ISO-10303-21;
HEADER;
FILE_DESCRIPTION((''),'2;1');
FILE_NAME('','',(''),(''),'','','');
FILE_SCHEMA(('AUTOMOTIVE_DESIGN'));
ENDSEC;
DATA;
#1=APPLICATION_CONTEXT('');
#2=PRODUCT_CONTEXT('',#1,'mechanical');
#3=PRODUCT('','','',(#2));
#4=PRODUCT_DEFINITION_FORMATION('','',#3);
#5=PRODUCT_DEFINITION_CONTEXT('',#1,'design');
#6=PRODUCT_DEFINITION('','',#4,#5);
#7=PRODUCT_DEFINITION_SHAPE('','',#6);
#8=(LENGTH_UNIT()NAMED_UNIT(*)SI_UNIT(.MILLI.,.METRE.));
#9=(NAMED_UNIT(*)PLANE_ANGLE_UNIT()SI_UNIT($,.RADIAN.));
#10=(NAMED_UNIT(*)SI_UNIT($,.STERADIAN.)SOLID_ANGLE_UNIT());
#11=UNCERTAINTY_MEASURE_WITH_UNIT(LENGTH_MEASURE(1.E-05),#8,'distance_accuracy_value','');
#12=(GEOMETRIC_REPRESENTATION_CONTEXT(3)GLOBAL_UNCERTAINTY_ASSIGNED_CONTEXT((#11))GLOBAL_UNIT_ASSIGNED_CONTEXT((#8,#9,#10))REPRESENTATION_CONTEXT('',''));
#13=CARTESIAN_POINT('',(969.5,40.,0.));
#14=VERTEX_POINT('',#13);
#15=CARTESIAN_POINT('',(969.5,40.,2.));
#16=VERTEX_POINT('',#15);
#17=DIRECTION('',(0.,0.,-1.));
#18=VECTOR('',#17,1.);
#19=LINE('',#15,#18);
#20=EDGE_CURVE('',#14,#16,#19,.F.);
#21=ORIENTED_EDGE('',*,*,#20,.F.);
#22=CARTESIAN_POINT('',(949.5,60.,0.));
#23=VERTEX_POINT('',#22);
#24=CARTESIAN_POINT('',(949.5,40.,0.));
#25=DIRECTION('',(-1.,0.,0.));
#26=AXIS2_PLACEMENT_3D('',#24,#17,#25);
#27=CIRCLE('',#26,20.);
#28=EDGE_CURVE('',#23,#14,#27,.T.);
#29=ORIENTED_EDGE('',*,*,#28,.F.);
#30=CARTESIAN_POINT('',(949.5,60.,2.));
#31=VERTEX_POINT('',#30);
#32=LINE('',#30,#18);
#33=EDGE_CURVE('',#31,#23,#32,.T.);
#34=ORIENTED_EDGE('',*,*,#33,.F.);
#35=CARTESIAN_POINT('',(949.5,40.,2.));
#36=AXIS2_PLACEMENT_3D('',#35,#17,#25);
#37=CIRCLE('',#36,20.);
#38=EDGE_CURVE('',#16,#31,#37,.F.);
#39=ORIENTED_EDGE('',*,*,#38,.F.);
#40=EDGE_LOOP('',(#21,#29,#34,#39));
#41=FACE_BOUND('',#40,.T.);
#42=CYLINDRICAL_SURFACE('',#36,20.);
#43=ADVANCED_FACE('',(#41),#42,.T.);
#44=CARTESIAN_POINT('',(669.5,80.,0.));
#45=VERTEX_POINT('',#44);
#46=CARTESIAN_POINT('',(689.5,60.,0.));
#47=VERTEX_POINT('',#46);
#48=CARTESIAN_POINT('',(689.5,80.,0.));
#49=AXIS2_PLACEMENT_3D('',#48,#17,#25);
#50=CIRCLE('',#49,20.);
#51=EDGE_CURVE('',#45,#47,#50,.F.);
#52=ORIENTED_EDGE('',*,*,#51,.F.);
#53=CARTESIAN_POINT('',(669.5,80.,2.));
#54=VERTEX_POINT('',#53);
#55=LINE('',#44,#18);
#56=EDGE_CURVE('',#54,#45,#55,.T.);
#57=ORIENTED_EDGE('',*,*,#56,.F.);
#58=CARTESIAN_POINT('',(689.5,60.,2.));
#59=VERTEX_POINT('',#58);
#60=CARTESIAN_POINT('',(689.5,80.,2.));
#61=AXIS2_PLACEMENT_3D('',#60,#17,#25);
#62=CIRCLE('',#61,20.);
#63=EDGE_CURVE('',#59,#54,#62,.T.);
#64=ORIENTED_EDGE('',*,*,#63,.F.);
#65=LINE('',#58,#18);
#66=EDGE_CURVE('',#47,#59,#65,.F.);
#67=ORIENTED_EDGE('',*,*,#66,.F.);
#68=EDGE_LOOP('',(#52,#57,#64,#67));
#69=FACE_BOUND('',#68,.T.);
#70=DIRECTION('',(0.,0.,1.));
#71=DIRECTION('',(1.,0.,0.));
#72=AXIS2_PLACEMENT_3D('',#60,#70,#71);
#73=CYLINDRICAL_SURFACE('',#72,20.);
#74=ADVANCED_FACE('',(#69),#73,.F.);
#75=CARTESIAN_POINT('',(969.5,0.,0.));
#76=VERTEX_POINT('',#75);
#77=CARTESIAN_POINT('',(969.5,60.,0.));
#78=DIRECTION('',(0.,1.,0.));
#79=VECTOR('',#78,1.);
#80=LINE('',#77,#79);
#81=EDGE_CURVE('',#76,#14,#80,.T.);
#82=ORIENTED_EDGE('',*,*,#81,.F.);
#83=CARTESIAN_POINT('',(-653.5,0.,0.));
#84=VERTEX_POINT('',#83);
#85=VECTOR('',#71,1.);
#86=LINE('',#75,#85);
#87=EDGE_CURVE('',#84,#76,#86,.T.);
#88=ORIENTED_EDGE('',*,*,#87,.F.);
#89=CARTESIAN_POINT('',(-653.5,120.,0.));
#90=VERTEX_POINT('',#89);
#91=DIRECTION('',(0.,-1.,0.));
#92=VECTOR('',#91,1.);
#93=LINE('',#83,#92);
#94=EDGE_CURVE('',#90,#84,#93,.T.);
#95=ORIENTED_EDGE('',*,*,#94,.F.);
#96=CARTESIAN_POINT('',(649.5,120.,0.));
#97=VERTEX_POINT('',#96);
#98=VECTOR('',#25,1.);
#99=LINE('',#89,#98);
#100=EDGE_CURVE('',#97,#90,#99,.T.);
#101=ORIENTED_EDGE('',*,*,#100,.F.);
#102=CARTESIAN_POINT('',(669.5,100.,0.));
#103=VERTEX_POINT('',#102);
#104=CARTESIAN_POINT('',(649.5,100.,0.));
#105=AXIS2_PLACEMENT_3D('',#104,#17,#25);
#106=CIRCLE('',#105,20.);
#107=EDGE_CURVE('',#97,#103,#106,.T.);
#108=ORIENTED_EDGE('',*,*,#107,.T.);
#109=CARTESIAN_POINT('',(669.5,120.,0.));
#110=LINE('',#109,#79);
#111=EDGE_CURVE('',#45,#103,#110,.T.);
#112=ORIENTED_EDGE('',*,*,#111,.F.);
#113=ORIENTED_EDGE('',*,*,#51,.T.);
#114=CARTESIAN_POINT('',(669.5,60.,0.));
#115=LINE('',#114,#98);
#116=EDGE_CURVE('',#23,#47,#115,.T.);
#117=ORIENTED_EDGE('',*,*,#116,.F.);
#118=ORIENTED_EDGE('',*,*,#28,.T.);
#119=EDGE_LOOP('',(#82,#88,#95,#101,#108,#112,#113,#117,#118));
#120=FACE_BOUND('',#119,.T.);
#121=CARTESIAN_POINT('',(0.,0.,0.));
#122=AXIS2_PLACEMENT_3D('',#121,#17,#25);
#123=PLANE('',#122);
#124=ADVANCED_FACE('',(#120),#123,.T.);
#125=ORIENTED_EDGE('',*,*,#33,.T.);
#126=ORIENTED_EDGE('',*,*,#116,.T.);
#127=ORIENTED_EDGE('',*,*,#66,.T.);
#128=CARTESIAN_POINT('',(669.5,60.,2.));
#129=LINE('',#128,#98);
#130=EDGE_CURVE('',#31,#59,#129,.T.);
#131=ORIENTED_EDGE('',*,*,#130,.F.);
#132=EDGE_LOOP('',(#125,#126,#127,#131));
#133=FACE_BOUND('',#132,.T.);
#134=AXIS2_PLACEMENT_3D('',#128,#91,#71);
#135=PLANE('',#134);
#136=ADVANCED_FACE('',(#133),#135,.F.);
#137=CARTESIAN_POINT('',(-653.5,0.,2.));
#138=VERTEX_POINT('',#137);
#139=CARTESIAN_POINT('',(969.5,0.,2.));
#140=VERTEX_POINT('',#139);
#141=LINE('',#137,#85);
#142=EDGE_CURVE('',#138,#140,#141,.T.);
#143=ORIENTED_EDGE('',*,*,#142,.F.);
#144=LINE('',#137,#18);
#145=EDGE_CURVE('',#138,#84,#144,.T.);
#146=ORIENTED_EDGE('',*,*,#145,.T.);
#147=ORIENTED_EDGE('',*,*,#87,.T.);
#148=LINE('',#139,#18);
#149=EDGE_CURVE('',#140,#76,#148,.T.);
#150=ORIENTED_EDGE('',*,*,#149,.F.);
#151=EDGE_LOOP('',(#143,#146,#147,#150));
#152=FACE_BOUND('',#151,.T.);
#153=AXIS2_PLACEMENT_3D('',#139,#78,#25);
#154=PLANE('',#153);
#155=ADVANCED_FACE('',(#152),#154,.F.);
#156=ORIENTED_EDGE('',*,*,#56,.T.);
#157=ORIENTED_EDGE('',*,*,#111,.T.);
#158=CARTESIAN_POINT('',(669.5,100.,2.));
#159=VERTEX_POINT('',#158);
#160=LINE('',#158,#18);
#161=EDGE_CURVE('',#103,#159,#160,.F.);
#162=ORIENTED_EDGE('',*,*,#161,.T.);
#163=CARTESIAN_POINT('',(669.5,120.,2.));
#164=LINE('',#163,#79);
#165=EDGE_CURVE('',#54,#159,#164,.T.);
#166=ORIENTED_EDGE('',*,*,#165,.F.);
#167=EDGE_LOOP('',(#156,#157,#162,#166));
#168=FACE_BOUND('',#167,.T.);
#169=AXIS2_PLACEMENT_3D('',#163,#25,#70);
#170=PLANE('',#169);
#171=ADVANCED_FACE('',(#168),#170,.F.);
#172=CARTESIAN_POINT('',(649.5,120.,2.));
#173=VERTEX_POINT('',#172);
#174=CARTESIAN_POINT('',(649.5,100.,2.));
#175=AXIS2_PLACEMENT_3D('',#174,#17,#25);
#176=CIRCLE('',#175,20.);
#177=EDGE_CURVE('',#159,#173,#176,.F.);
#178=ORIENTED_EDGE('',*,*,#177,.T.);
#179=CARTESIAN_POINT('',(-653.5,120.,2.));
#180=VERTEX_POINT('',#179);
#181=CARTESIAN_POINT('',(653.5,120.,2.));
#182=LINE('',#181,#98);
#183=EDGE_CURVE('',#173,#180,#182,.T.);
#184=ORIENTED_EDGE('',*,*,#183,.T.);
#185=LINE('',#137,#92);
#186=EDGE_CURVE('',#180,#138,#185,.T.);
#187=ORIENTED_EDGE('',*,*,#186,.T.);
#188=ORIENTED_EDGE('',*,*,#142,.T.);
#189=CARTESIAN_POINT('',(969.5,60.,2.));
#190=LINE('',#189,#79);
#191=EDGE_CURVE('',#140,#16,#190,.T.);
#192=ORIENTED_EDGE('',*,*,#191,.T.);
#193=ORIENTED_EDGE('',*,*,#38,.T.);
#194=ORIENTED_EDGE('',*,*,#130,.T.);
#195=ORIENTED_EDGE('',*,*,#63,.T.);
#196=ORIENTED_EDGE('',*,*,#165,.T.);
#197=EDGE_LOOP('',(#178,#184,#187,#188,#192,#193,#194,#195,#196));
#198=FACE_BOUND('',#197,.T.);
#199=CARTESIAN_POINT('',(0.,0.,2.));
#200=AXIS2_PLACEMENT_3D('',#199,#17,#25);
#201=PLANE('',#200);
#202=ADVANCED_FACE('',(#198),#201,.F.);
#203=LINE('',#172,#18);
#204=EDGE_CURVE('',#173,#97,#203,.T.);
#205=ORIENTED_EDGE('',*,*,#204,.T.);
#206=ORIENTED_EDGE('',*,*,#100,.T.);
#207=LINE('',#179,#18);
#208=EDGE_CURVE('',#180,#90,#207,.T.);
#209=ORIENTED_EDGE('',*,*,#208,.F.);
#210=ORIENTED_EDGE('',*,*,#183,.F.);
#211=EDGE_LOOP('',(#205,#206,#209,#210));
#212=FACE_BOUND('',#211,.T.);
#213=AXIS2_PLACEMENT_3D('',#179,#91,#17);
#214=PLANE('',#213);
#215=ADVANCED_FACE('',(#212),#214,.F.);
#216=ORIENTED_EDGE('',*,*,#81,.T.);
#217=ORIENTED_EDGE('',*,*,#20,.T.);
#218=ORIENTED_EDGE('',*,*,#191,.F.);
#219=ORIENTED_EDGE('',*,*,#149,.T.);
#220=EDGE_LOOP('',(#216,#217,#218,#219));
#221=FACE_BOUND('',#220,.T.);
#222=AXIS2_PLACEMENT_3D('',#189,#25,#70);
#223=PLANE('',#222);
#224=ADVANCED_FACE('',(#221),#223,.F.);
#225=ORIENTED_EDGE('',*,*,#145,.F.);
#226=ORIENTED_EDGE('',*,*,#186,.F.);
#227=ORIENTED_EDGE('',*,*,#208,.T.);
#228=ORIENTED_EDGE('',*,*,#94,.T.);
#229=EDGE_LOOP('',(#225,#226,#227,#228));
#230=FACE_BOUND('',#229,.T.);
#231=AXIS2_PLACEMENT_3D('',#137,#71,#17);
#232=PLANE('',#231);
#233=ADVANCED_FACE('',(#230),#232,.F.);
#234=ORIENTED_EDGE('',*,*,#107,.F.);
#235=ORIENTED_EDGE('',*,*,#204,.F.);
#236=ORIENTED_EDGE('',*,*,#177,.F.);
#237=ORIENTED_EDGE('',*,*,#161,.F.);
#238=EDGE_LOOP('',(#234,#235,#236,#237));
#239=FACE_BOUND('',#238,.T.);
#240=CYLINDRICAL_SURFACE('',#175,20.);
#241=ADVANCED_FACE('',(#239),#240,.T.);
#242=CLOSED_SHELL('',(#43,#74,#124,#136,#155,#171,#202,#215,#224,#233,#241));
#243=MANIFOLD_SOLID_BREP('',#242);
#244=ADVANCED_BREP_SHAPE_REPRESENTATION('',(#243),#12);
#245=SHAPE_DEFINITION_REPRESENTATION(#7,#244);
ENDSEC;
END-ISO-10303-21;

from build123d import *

# Parameters (mm, degrees)
BOSS_EXTRU_1_DEPTH = 2
CONG_1_R           = 20


with BuildPart() as part:
    # Esquisse1 → Boss.-Extru.1 (new body)
    with BuildSketch(Plane.XY):
        Polygon((653.5, 120), (669.5, 120), (669.5, 60), (969.5, 60), (969.5, 0), (653.5, 0), (-653.5, 0), (-653.5, 120), align=None)
    extrude(amount=BOSS_EXTRU_1_DEPTH)

    # Congé1
    cong_1_edges = [part.edges().sort_by_distance(p)[0] for p in [
        (669.5, 120, 1),
        (669.5, 60, 1),
        (969.5, 60, 1),
    ]]
    fillet(cong_1_edges, radius=CONG_1_R)


solid = part.part
